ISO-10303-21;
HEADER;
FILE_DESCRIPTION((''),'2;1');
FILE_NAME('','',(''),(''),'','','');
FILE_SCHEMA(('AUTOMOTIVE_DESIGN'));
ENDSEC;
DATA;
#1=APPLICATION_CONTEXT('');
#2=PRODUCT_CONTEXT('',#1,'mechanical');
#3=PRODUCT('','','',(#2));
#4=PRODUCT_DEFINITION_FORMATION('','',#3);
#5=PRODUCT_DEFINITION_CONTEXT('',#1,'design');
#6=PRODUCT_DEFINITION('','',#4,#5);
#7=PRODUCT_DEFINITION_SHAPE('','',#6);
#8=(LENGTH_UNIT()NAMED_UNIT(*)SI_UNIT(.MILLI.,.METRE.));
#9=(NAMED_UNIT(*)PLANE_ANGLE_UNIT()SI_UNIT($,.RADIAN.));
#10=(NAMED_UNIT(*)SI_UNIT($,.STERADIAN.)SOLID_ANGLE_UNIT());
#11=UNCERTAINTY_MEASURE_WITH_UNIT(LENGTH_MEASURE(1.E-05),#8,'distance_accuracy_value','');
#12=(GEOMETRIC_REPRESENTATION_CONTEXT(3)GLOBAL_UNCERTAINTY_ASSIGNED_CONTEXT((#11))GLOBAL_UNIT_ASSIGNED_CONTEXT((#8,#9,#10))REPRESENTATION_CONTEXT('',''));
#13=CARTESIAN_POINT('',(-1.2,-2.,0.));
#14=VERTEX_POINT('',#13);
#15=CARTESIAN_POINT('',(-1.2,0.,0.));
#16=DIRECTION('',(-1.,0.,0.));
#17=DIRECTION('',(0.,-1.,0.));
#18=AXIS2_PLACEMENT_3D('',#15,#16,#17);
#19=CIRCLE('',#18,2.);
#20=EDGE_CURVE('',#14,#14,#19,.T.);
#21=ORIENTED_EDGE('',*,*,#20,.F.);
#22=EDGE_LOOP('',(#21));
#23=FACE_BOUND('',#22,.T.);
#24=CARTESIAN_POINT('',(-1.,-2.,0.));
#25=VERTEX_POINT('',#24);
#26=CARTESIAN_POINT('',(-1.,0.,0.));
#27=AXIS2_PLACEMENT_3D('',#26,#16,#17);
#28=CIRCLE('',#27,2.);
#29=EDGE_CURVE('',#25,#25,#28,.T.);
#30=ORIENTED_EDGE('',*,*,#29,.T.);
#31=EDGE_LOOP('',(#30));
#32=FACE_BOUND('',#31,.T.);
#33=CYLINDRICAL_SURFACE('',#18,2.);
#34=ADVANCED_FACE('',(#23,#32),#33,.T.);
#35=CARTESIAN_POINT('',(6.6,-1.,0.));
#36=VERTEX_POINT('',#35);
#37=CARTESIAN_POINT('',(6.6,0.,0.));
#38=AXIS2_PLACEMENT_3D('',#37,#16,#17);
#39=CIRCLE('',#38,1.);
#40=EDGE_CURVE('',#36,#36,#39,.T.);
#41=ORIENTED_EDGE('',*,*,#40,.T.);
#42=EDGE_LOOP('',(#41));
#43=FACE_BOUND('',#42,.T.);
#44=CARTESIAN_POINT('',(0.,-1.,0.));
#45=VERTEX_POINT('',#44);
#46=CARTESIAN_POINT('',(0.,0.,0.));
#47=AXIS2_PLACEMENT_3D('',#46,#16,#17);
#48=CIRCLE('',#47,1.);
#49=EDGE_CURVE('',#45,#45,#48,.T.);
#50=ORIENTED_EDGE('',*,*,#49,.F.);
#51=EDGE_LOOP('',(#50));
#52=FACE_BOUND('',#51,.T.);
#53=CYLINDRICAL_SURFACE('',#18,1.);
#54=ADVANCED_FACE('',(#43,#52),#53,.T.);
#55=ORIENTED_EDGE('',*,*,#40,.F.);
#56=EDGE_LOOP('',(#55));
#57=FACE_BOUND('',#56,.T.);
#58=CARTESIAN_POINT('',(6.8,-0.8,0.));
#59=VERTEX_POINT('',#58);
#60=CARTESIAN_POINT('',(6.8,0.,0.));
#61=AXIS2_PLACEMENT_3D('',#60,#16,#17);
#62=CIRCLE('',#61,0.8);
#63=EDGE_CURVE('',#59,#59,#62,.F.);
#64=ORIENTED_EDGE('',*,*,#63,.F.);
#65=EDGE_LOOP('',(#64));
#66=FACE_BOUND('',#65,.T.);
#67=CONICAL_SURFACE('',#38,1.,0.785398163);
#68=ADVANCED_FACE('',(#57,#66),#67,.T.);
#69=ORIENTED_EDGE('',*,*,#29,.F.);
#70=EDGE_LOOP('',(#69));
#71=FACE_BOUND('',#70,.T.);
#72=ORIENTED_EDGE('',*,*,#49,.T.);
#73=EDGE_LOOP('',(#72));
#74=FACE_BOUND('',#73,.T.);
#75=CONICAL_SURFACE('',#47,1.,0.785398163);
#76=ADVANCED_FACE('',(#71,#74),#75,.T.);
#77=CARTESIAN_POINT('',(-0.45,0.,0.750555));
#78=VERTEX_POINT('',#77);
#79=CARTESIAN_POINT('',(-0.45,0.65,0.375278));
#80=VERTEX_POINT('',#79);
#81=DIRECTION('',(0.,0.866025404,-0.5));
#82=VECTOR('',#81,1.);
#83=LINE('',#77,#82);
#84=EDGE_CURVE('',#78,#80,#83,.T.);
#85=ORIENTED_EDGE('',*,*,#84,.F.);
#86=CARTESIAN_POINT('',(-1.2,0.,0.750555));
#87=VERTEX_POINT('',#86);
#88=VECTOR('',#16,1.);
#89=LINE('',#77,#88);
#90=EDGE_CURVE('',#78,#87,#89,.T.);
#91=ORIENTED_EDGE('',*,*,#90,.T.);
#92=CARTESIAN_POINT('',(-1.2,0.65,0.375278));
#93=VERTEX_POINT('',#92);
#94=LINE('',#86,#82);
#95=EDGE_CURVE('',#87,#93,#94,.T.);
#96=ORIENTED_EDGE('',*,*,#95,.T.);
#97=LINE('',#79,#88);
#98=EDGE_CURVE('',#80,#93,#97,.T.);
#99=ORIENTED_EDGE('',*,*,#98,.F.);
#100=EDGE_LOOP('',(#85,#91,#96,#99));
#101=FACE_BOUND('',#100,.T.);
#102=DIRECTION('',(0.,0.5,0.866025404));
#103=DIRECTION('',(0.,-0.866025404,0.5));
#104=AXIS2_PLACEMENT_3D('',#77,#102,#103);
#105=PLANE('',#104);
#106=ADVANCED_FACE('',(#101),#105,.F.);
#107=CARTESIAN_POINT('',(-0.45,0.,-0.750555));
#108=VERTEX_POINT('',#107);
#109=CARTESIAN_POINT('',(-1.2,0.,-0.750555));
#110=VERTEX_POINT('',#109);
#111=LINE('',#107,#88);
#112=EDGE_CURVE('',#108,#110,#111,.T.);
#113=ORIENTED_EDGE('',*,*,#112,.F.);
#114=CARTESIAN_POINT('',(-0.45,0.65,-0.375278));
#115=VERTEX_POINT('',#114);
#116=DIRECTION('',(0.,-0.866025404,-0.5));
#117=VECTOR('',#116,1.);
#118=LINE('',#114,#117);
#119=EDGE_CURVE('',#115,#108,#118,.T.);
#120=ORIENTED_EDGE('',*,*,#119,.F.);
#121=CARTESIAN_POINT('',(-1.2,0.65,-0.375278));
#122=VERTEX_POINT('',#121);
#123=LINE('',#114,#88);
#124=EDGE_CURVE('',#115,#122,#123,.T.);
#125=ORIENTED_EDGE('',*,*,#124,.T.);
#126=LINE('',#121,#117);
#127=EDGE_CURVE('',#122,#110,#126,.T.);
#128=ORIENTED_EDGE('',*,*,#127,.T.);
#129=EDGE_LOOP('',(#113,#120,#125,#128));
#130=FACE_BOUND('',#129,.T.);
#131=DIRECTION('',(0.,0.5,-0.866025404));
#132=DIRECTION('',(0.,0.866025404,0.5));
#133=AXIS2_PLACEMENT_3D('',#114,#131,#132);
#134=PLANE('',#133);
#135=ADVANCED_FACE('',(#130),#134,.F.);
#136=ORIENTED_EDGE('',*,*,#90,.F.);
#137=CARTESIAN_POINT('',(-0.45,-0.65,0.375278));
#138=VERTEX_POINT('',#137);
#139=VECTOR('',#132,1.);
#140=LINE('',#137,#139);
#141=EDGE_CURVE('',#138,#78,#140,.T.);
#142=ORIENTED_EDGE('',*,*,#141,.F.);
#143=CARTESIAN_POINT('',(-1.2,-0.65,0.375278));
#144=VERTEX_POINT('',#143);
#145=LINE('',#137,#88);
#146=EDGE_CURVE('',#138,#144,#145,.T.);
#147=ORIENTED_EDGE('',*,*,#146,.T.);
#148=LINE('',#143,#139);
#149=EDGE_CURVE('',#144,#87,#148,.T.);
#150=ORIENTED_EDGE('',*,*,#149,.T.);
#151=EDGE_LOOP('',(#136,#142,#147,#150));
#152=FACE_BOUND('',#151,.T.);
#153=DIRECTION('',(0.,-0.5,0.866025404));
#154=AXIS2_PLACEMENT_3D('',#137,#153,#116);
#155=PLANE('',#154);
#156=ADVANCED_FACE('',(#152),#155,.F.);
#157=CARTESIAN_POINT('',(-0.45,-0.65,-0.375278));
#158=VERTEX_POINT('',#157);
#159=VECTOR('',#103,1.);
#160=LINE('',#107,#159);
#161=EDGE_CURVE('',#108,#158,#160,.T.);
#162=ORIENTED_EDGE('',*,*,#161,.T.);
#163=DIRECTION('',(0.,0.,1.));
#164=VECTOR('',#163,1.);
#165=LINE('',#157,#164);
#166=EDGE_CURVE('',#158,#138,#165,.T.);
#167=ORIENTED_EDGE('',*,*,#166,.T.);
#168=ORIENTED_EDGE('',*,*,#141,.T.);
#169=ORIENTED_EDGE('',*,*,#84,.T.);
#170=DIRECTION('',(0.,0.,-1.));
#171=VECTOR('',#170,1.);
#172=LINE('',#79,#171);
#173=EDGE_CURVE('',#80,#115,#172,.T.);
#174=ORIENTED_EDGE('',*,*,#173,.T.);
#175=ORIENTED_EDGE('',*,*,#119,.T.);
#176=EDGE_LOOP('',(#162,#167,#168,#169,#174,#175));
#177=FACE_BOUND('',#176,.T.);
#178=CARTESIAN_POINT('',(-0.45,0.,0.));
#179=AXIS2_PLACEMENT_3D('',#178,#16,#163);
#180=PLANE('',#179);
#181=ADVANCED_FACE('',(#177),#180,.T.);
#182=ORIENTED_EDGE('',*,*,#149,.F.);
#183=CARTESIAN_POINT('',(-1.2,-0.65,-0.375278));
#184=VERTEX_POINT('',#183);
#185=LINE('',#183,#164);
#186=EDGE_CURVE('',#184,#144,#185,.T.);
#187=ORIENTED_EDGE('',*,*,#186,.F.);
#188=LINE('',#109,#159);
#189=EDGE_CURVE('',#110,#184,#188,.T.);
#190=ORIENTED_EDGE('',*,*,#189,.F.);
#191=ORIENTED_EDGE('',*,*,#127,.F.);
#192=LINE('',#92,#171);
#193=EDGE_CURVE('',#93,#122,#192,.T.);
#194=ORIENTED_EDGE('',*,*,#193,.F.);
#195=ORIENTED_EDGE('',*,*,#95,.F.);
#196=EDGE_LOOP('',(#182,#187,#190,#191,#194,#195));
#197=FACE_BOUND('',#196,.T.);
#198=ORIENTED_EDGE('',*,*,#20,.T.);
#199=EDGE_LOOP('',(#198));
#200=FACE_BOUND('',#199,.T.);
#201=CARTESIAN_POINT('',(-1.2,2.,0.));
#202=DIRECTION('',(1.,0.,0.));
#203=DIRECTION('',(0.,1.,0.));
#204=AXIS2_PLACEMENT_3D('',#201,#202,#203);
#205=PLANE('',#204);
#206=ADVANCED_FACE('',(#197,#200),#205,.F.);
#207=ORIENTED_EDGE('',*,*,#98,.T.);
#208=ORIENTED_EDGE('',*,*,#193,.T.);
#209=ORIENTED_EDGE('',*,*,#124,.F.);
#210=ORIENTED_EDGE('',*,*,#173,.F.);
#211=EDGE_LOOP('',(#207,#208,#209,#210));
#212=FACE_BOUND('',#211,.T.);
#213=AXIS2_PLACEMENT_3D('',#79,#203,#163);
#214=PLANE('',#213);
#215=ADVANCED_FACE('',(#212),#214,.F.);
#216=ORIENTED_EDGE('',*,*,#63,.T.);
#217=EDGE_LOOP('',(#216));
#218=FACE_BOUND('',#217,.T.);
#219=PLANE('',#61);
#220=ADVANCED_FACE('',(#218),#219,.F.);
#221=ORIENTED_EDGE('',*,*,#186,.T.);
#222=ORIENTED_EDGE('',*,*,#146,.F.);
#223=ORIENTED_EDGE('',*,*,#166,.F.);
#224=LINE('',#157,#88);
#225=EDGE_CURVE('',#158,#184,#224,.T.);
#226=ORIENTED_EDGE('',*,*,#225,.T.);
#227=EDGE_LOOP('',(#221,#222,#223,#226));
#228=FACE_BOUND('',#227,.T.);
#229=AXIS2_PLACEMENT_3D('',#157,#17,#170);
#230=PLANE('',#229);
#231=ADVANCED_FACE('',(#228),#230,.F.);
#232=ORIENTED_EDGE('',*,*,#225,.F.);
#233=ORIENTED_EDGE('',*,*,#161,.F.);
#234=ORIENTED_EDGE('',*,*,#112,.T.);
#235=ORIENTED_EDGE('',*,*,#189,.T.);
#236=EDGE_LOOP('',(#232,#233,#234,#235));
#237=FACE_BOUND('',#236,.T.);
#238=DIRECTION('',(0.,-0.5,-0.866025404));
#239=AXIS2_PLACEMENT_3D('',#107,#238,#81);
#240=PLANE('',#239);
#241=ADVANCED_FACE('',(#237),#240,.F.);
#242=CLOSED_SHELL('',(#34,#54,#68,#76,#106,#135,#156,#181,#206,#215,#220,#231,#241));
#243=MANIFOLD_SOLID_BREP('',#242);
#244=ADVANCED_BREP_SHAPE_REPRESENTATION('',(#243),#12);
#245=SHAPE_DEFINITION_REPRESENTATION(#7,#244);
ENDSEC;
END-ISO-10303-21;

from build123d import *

# Parameters (mm, degrees)
CHAMFER1_SIZE      = 0.2
CUT_EXTRUDE1_DEPTH = 0.75


with BuildPart() as part:
    # Sketch1 → Revolve1 (revolve)
    with BuildSketch(Plane.XY):
        Polygon((0, 1), (-1, 2), (-1.2, 2), (-1.2, 0), (6.8, 0), (6.8, 1), align=None)
    revolve(axis=Axis((-1.2, 0, 0), (1, 0, 0)))

    # Chamfer1
    chamfer1_edges = [part.edges().sort_by_distance(p)[0] for p in [
        (6.8, -1, 0),
    ]]
    chamfer(chamfer1_edges, length=CHAMFER1_SIZE)

    # Sketch2 → Cut-Extrude1 (cut)
    with BuildSketch(Plane.ZY.offset(1.2)):
        Polygon((-0.75055535, 0), (-0.375277675, -0.65), (0.375277675, -0.65), (0.75055535, 0), (0.375277675, 0.65), (-0.375277675, 0.65), align=None)
    extrude(amount=-CUT_EXTRUDE1_DEPTH, mode=Mode.SUBTRACT)


solid = part.part
